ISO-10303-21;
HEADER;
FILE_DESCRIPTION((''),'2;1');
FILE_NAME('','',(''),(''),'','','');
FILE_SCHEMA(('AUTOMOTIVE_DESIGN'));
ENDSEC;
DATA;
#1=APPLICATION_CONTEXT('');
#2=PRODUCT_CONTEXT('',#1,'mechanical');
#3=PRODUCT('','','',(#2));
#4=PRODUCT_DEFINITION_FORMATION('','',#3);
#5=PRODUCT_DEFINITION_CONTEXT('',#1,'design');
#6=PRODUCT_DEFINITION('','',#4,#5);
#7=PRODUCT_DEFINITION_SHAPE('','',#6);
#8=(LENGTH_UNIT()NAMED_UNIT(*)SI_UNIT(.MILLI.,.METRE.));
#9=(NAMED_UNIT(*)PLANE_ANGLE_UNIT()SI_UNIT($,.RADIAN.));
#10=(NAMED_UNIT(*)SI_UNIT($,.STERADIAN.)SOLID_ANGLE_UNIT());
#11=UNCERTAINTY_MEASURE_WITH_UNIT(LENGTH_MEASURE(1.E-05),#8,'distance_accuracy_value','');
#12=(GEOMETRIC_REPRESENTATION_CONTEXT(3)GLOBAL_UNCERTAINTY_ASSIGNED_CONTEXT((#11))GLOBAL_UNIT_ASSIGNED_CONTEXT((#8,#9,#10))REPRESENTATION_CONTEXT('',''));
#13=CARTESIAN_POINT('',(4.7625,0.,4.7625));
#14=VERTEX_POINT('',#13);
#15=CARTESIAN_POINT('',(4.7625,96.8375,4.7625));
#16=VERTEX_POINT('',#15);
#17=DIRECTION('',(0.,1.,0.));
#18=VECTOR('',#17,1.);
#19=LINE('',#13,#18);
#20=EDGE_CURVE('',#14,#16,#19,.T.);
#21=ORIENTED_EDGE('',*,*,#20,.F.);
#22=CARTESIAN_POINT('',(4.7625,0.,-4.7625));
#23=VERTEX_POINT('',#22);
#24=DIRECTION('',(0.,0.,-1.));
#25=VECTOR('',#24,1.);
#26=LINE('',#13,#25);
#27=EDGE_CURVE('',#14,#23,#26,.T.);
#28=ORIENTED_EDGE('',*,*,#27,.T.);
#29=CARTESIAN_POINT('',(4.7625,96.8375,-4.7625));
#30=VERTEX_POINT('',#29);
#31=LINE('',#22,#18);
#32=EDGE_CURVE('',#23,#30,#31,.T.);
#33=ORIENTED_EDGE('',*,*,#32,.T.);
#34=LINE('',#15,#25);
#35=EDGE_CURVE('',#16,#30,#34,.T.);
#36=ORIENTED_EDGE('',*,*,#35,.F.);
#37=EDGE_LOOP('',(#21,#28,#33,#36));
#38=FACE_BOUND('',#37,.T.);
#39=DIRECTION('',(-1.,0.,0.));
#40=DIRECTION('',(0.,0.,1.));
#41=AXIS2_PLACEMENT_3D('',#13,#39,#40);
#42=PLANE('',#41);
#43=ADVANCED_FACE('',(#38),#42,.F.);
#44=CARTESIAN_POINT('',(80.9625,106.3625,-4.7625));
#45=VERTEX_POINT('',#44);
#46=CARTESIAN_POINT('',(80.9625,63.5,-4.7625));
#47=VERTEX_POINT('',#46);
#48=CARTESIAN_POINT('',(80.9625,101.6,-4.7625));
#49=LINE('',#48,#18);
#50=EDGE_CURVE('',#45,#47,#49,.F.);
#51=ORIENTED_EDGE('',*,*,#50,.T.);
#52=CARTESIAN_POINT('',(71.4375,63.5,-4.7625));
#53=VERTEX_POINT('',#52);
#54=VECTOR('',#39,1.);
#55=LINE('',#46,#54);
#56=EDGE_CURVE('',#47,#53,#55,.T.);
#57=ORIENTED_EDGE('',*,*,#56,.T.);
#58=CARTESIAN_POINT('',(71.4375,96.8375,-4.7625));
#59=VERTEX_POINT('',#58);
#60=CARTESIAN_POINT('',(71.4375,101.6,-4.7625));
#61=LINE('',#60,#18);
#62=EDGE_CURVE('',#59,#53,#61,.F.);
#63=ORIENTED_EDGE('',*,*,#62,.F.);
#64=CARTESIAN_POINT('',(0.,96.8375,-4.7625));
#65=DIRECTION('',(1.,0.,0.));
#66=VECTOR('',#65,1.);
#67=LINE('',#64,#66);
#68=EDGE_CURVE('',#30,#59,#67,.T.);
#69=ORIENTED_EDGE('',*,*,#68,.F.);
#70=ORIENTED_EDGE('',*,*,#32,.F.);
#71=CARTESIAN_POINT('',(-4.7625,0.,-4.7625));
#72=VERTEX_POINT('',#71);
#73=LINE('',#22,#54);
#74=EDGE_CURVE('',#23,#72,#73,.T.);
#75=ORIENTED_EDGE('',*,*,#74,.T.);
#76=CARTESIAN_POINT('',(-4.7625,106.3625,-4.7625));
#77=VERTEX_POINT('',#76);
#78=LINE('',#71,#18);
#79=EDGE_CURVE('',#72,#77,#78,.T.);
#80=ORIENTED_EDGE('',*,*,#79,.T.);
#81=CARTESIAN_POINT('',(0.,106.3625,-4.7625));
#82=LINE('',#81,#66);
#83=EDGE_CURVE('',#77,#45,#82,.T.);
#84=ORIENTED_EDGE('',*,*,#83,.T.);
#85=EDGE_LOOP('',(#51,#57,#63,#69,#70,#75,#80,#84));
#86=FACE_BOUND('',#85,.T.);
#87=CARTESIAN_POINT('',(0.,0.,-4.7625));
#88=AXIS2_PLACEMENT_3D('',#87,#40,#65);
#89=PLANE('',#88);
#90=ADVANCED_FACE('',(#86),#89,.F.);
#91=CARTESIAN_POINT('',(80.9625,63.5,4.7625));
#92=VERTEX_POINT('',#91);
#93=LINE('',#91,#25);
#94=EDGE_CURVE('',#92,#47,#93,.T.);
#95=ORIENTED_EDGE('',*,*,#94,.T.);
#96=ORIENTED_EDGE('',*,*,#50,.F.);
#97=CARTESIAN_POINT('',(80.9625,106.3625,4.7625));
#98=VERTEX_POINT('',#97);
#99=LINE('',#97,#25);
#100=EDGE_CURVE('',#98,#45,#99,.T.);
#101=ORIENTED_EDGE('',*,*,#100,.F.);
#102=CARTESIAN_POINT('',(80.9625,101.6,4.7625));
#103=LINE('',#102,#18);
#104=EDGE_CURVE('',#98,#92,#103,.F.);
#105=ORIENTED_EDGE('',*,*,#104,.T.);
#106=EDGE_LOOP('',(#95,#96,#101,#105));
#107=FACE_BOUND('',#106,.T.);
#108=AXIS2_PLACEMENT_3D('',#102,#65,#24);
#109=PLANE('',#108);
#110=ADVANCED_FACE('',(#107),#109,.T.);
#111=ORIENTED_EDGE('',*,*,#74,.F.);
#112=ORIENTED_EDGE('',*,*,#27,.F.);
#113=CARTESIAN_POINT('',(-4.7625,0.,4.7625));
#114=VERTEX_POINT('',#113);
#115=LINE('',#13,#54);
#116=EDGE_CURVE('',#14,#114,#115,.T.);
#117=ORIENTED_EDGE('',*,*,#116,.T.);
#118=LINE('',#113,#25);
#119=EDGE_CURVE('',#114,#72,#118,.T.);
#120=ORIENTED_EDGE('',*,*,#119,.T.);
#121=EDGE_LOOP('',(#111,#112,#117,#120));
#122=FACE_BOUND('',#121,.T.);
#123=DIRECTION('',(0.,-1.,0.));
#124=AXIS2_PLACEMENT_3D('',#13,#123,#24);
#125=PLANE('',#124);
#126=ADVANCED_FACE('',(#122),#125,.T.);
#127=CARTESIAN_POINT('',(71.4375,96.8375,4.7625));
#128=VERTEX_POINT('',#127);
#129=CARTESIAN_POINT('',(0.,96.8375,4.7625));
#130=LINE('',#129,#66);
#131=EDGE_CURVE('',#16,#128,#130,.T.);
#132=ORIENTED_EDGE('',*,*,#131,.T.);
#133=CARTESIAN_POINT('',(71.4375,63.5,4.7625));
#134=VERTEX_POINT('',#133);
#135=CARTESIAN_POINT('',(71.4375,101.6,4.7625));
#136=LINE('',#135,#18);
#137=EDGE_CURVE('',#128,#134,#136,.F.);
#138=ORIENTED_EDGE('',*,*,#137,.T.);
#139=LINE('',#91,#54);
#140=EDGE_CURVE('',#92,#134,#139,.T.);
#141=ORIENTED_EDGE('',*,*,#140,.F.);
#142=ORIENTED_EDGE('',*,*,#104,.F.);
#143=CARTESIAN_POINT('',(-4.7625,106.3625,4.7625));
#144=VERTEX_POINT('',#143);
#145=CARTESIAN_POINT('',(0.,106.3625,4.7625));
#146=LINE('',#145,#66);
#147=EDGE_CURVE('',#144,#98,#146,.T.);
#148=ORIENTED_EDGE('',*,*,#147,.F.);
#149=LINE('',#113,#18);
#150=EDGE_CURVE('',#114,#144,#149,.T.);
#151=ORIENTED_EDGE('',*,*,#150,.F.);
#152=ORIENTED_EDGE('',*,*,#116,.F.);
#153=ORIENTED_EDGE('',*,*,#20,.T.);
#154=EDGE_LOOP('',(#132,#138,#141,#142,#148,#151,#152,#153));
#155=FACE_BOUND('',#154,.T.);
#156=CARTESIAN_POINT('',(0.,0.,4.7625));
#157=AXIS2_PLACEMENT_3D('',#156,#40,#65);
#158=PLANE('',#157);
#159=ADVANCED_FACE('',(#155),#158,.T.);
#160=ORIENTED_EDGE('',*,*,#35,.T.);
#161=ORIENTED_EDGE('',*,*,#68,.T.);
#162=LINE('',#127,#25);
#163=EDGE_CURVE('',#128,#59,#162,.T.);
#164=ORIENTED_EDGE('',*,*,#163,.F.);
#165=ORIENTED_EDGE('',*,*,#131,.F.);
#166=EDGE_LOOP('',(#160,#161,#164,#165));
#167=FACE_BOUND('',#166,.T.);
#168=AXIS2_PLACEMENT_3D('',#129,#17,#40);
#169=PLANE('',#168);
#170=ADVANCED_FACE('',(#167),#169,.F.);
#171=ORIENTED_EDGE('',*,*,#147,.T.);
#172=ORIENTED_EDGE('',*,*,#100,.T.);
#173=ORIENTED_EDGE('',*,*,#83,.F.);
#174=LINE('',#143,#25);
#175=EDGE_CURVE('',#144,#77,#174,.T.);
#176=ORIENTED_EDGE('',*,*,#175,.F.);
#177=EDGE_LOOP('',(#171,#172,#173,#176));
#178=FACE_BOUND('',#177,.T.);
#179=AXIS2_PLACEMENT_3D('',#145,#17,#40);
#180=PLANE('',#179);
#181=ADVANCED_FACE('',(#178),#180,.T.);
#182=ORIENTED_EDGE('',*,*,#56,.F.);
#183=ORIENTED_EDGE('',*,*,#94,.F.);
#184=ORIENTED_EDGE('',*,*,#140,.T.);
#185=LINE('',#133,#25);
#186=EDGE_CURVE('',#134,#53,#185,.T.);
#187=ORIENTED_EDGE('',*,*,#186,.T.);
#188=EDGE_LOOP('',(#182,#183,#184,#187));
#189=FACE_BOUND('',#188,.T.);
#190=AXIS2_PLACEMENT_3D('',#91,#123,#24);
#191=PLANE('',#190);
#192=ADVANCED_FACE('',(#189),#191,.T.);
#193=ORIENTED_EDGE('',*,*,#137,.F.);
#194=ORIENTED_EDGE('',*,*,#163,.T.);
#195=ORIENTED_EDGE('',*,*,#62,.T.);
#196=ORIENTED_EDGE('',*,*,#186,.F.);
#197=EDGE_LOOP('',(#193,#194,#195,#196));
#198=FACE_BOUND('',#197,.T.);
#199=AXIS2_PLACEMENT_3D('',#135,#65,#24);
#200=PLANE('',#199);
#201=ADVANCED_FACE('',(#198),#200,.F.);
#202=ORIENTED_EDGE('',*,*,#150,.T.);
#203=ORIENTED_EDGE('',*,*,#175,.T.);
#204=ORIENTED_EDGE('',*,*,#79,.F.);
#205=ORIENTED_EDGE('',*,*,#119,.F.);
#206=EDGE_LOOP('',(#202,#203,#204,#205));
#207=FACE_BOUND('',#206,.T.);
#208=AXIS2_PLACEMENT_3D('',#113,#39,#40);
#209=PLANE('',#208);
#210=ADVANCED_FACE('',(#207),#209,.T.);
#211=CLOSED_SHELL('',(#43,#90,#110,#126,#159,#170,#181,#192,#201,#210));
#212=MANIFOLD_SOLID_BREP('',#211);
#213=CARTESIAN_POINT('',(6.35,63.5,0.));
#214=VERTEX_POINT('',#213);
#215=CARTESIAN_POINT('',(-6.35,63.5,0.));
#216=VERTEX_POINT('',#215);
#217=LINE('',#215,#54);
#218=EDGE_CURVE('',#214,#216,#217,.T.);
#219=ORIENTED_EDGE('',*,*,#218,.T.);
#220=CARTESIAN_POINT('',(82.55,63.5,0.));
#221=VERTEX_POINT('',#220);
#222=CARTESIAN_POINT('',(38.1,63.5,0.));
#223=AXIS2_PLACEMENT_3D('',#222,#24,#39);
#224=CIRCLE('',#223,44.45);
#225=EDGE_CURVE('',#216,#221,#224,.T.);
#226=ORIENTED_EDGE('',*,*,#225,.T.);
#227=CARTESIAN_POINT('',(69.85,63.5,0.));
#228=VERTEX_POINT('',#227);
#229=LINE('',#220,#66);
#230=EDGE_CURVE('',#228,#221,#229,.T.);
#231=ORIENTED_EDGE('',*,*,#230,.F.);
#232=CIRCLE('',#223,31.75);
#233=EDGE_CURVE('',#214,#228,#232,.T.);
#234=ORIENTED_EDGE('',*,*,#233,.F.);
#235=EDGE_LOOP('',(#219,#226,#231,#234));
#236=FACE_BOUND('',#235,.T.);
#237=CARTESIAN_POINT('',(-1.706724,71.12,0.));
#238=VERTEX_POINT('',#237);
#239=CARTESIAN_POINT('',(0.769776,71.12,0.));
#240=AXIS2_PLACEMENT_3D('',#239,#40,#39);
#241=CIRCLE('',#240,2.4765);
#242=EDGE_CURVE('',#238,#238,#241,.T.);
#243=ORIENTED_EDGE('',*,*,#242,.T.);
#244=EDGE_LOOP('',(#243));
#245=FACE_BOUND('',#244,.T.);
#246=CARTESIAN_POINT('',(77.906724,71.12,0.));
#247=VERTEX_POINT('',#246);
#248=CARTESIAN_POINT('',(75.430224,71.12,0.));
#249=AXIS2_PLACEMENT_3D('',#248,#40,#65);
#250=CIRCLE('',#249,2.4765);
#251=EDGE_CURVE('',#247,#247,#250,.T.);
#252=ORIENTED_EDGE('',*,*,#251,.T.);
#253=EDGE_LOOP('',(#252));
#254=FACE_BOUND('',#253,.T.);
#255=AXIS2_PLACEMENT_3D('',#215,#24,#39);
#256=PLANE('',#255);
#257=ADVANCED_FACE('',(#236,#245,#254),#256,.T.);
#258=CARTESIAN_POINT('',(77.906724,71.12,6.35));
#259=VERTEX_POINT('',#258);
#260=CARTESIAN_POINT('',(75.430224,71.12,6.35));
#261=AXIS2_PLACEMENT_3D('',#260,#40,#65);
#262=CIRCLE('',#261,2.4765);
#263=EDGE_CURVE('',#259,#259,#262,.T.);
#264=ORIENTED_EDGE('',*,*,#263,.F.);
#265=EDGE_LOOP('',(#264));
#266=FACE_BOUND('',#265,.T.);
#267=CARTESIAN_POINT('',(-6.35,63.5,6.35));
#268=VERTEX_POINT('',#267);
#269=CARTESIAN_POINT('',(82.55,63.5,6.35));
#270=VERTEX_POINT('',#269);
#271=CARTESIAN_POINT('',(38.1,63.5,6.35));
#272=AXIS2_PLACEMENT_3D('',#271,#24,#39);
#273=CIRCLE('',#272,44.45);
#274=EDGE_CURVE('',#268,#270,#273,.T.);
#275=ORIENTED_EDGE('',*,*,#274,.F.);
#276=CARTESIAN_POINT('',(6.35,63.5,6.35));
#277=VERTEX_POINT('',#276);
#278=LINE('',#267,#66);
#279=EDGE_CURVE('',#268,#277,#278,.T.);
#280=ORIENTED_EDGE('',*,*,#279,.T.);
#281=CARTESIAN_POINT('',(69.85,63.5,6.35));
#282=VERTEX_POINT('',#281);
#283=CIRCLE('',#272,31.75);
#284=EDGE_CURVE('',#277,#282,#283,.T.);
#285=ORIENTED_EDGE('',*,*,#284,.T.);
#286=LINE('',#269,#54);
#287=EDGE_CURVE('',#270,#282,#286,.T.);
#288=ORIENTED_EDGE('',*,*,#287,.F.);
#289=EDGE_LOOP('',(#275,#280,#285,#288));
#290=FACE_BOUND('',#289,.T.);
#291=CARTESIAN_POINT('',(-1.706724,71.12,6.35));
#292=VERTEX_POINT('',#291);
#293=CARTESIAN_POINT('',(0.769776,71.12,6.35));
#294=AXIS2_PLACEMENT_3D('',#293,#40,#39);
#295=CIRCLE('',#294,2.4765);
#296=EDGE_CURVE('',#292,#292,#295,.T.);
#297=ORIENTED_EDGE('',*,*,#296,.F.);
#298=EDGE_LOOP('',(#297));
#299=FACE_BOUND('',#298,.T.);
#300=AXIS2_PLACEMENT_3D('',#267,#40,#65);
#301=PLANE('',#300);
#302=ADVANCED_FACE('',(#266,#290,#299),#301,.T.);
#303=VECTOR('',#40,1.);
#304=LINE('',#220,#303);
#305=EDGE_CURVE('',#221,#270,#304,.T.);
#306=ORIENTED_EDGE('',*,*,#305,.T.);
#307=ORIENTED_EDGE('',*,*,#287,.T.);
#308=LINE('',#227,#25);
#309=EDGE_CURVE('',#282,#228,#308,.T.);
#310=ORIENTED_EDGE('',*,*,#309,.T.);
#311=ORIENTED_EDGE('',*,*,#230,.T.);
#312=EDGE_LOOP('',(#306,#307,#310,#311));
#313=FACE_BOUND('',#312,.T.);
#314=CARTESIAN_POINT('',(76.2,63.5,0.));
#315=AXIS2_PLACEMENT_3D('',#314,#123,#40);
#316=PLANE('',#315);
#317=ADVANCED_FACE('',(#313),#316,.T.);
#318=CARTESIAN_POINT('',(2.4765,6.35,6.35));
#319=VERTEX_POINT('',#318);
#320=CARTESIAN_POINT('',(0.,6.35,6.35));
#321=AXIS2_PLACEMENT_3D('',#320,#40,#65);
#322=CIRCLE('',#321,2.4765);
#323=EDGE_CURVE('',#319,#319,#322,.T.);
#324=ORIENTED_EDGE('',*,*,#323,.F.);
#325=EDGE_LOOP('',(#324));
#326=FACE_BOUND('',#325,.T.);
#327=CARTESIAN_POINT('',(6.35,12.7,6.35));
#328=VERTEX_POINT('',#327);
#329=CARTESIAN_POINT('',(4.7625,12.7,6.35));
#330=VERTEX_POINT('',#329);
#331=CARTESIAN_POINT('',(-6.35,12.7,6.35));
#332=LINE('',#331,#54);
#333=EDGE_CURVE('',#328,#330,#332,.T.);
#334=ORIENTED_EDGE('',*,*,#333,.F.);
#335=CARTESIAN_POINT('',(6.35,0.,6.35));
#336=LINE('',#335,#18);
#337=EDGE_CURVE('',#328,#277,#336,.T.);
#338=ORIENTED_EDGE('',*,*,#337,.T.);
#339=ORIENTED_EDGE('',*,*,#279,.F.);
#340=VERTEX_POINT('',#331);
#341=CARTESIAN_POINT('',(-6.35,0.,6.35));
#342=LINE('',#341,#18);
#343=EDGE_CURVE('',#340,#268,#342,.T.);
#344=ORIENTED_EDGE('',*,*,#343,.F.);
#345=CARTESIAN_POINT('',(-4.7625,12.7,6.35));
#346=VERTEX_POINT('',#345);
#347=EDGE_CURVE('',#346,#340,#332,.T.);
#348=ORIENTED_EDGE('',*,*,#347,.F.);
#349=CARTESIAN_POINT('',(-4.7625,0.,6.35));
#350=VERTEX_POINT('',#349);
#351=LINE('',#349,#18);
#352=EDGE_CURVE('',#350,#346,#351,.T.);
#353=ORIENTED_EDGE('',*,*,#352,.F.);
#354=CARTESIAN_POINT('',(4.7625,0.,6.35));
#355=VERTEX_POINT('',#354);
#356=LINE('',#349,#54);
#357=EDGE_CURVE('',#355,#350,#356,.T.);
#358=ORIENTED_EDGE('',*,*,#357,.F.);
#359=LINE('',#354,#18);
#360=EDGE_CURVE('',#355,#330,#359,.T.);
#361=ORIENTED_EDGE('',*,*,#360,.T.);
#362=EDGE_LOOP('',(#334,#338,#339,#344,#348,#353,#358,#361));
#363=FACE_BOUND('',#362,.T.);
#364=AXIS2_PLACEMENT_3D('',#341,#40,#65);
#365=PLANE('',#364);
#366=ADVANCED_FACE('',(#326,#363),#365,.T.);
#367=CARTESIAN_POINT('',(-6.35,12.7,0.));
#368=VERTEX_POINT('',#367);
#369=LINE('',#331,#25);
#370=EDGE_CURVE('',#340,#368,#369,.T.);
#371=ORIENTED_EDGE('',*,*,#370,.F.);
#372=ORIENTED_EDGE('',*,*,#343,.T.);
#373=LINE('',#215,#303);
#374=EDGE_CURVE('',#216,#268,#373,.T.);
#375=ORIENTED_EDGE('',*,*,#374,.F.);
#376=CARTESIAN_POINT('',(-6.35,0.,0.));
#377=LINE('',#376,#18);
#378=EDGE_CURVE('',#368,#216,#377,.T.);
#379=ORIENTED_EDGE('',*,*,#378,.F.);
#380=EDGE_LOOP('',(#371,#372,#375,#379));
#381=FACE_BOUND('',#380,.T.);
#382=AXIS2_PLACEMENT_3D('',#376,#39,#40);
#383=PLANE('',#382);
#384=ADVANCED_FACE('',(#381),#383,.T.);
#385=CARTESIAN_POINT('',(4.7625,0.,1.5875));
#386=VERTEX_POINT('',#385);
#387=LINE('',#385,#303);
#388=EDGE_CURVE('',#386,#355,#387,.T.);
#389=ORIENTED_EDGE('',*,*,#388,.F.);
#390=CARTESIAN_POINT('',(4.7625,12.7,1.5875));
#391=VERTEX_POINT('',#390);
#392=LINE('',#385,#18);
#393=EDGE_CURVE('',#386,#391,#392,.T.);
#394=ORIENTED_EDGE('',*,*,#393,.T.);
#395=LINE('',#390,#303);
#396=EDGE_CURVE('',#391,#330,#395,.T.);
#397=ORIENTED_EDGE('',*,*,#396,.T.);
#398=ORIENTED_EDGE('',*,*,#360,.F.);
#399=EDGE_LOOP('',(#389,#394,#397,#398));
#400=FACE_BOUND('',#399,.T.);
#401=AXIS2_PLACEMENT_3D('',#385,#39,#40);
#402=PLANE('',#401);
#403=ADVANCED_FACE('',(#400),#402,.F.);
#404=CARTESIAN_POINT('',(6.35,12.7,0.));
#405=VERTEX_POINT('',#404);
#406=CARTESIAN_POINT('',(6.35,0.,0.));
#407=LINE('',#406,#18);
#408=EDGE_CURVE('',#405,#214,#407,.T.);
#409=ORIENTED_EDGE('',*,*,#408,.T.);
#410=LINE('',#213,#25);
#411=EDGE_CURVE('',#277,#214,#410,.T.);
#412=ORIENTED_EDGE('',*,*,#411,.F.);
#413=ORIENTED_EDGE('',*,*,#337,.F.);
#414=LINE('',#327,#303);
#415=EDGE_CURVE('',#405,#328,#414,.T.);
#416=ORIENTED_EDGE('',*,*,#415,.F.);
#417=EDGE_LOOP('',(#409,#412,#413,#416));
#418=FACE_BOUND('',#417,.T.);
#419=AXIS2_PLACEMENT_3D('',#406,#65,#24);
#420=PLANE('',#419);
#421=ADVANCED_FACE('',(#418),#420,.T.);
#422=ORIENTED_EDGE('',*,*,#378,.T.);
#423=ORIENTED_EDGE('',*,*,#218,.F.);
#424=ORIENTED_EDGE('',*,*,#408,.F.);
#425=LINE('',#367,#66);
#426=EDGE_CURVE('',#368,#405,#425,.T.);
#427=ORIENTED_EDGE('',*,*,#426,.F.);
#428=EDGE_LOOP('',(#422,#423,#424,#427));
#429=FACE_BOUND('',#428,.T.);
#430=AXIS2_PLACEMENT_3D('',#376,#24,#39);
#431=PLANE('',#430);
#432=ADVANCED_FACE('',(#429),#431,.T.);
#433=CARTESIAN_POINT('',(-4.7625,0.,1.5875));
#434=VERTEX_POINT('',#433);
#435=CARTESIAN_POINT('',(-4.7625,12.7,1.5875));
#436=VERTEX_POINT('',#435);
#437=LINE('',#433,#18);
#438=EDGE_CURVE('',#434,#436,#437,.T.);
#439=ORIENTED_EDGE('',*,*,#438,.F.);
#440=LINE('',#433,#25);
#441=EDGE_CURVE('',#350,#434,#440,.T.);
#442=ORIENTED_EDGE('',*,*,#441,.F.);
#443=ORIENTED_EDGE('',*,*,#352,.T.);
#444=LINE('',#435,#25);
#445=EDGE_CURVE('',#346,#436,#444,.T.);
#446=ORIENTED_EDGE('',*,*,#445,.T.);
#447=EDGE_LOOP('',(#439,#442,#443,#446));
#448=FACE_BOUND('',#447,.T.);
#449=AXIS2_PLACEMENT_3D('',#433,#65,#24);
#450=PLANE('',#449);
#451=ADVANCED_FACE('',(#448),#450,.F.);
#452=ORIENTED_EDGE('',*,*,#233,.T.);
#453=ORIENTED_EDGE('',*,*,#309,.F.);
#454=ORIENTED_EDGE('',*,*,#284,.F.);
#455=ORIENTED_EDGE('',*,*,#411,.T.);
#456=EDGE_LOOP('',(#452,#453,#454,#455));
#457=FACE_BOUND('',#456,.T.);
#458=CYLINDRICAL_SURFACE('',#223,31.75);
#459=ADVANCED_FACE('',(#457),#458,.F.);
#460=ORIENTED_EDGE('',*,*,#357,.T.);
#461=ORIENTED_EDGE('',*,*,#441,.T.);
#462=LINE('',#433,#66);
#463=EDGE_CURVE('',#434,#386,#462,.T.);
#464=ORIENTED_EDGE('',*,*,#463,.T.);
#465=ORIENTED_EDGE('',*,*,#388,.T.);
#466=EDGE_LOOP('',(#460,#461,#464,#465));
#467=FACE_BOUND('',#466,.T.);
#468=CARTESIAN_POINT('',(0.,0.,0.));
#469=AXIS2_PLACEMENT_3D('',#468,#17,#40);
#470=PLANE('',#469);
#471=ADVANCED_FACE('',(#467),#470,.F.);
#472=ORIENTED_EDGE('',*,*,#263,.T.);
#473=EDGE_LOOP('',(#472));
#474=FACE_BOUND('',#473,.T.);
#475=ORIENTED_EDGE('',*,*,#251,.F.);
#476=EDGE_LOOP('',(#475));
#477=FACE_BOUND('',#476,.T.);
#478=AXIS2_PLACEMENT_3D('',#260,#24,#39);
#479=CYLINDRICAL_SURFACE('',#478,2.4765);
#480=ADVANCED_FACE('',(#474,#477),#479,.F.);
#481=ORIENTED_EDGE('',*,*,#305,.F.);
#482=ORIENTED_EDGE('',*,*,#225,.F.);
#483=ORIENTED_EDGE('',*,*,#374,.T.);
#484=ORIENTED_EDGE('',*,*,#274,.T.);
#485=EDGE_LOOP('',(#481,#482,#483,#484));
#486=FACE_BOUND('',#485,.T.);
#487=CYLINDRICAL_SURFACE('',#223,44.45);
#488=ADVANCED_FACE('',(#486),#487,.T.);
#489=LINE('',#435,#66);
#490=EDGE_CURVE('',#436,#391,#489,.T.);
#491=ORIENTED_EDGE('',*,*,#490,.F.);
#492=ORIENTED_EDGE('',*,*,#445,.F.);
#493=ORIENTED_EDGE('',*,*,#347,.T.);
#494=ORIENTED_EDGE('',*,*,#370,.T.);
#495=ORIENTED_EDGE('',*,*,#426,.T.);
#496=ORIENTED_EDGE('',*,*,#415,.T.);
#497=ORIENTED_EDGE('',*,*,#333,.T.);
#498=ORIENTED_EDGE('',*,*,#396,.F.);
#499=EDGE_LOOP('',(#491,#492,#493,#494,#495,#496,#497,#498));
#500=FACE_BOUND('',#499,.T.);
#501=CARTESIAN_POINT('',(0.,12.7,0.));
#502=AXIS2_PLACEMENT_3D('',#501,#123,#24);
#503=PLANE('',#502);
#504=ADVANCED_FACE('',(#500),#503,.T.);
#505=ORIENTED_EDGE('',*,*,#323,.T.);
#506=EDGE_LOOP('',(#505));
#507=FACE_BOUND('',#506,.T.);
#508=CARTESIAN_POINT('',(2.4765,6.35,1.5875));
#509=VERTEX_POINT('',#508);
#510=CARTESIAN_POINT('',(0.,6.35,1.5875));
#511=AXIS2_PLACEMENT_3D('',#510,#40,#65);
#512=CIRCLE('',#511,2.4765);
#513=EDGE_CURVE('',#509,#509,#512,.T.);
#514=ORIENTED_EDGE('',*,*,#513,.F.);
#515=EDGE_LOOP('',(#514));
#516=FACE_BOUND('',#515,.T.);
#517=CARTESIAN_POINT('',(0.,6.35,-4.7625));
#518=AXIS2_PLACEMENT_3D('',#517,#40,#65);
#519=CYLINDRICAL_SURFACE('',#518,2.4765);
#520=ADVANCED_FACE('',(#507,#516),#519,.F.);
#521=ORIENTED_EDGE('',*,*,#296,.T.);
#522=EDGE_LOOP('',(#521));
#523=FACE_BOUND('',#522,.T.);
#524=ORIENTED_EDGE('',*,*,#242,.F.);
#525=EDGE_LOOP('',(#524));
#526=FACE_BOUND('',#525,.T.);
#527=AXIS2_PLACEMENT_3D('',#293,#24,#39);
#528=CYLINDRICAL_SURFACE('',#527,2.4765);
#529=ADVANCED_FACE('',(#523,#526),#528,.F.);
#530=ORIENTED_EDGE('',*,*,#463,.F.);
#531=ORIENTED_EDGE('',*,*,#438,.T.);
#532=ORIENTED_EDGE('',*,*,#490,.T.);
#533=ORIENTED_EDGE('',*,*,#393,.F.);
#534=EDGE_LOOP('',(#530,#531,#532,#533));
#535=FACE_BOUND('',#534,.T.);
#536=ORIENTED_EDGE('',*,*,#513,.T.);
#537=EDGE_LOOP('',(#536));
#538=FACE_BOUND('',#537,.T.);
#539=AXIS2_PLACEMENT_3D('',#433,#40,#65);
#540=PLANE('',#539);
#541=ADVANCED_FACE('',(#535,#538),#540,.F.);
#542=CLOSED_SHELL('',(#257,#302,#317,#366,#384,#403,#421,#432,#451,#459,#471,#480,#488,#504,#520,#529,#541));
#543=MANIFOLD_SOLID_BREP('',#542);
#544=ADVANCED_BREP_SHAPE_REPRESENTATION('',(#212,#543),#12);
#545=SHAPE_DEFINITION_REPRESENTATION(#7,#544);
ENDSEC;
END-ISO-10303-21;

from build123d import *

# Parameters (mm, degrees)
EXTRUDE_THIN3_DEPTH = 4.7625
SKETCH38_W          = 12.7
SKETCH38_H          = 6.35
SKETCH39_R          = 2.4765
CUT_EXTRUDE1_DEPTH  = 7.35
SKETCH42_W          = 12.7
SKETCH42_H          = 6.35
CUT_EXTRUDE2_DEPTH  = 12.7
SKETCH43_W          = 9.525
SKETCH43_H          = 4.7625
BOSS_EXTRUDE4_DEPTH = 12.7
SKETCH44_R          = 2.4765
CUT_EXTRUDE3_DEPTH  = 12.1125


with BuildPart() as part:
    # Sketch8 → Extrude-Thin3 (new body, symmetric)
    with BuildSketch(Plane.XY):
        Polygon((4.7625, 0), (4.7625, 96.8375), (71.4375, 96.8375), (71.4375, 63.5), (80.9625, 63.5), (80.9625, 106.3625), (-4.7625, 106.3625), (-4.7625, 0), align=None)
    extrude(amount=EXTRUDE_THIN3_DEPTH, both=True)


with BuildPart() as body_2:
    # Sweep5: sweep along a path in Sketch37
    with BuildLine(Plane.XY) as sweep5_path:
        Line((0, 0), (0, 63.5))
        ThreePointArc((0, 63.5), (38.1, 101.6), (76.2, 63.5))
    # Sketch38 → Sweep5 (sweep)
    with BuildSketch(Plane(origin=(0, 0, 0), x_dir=(1, 0, 0), z_dir=(0, 1, 0))):
        with Locations((0, -3.175)):
            Rectangle(SKETCH38_W, SKETCH38_H)
    sweep(path=sweep5_path.line)

    # Sketch39 → Cut-Extrude1 (cut, through all)
    with BuildSketch(Plane.XY):
        with Locations((75.43022368, 71.12)):
            Circle(SKETCH39_R)
        with Locations((0.76977632, 71.12)):
            Circle(SKETCH39_R)
    extrude(amount=CUT_EXTRUDE1_DEPTH, mode=Mode.SUBTRACT)

    # Sketch42 → Cut-Extrude2 (cut)
    with BuildSketch(Plane.XZ):
        with Locations((0, 3.175)):
            Rectangle(SKETCH42_W, SKETCH42_H)
    extrude(amount=-CUT_EXTRUDE2_DEPTH, mode=Mode.SUBTRACT)

    # Sketch43 → Boss-Extrude4 (add)
    with BuildSketch(Plane.XZ.offset(-12.7)):
        with Locations((0, 3.96875)):
            Rectangle(SKETCH43_W, SKETCH43_H)
    extrude(amount=BOSS_EXTRUDE4_DEPTH)

    # Sketch44 → Cut-Extrude3 (cut, through all)
    with BuildSketch(Plane.XY.offset(6.35)):
        with Locations((0, 6.35)):
            Circle(SKETCH44_R)
    extrude(amount=-CUT_EXTRUDE3_DEPTH, mode=Mode.SUBTRACT)


solid = Compound([part.part, body_2.part])
